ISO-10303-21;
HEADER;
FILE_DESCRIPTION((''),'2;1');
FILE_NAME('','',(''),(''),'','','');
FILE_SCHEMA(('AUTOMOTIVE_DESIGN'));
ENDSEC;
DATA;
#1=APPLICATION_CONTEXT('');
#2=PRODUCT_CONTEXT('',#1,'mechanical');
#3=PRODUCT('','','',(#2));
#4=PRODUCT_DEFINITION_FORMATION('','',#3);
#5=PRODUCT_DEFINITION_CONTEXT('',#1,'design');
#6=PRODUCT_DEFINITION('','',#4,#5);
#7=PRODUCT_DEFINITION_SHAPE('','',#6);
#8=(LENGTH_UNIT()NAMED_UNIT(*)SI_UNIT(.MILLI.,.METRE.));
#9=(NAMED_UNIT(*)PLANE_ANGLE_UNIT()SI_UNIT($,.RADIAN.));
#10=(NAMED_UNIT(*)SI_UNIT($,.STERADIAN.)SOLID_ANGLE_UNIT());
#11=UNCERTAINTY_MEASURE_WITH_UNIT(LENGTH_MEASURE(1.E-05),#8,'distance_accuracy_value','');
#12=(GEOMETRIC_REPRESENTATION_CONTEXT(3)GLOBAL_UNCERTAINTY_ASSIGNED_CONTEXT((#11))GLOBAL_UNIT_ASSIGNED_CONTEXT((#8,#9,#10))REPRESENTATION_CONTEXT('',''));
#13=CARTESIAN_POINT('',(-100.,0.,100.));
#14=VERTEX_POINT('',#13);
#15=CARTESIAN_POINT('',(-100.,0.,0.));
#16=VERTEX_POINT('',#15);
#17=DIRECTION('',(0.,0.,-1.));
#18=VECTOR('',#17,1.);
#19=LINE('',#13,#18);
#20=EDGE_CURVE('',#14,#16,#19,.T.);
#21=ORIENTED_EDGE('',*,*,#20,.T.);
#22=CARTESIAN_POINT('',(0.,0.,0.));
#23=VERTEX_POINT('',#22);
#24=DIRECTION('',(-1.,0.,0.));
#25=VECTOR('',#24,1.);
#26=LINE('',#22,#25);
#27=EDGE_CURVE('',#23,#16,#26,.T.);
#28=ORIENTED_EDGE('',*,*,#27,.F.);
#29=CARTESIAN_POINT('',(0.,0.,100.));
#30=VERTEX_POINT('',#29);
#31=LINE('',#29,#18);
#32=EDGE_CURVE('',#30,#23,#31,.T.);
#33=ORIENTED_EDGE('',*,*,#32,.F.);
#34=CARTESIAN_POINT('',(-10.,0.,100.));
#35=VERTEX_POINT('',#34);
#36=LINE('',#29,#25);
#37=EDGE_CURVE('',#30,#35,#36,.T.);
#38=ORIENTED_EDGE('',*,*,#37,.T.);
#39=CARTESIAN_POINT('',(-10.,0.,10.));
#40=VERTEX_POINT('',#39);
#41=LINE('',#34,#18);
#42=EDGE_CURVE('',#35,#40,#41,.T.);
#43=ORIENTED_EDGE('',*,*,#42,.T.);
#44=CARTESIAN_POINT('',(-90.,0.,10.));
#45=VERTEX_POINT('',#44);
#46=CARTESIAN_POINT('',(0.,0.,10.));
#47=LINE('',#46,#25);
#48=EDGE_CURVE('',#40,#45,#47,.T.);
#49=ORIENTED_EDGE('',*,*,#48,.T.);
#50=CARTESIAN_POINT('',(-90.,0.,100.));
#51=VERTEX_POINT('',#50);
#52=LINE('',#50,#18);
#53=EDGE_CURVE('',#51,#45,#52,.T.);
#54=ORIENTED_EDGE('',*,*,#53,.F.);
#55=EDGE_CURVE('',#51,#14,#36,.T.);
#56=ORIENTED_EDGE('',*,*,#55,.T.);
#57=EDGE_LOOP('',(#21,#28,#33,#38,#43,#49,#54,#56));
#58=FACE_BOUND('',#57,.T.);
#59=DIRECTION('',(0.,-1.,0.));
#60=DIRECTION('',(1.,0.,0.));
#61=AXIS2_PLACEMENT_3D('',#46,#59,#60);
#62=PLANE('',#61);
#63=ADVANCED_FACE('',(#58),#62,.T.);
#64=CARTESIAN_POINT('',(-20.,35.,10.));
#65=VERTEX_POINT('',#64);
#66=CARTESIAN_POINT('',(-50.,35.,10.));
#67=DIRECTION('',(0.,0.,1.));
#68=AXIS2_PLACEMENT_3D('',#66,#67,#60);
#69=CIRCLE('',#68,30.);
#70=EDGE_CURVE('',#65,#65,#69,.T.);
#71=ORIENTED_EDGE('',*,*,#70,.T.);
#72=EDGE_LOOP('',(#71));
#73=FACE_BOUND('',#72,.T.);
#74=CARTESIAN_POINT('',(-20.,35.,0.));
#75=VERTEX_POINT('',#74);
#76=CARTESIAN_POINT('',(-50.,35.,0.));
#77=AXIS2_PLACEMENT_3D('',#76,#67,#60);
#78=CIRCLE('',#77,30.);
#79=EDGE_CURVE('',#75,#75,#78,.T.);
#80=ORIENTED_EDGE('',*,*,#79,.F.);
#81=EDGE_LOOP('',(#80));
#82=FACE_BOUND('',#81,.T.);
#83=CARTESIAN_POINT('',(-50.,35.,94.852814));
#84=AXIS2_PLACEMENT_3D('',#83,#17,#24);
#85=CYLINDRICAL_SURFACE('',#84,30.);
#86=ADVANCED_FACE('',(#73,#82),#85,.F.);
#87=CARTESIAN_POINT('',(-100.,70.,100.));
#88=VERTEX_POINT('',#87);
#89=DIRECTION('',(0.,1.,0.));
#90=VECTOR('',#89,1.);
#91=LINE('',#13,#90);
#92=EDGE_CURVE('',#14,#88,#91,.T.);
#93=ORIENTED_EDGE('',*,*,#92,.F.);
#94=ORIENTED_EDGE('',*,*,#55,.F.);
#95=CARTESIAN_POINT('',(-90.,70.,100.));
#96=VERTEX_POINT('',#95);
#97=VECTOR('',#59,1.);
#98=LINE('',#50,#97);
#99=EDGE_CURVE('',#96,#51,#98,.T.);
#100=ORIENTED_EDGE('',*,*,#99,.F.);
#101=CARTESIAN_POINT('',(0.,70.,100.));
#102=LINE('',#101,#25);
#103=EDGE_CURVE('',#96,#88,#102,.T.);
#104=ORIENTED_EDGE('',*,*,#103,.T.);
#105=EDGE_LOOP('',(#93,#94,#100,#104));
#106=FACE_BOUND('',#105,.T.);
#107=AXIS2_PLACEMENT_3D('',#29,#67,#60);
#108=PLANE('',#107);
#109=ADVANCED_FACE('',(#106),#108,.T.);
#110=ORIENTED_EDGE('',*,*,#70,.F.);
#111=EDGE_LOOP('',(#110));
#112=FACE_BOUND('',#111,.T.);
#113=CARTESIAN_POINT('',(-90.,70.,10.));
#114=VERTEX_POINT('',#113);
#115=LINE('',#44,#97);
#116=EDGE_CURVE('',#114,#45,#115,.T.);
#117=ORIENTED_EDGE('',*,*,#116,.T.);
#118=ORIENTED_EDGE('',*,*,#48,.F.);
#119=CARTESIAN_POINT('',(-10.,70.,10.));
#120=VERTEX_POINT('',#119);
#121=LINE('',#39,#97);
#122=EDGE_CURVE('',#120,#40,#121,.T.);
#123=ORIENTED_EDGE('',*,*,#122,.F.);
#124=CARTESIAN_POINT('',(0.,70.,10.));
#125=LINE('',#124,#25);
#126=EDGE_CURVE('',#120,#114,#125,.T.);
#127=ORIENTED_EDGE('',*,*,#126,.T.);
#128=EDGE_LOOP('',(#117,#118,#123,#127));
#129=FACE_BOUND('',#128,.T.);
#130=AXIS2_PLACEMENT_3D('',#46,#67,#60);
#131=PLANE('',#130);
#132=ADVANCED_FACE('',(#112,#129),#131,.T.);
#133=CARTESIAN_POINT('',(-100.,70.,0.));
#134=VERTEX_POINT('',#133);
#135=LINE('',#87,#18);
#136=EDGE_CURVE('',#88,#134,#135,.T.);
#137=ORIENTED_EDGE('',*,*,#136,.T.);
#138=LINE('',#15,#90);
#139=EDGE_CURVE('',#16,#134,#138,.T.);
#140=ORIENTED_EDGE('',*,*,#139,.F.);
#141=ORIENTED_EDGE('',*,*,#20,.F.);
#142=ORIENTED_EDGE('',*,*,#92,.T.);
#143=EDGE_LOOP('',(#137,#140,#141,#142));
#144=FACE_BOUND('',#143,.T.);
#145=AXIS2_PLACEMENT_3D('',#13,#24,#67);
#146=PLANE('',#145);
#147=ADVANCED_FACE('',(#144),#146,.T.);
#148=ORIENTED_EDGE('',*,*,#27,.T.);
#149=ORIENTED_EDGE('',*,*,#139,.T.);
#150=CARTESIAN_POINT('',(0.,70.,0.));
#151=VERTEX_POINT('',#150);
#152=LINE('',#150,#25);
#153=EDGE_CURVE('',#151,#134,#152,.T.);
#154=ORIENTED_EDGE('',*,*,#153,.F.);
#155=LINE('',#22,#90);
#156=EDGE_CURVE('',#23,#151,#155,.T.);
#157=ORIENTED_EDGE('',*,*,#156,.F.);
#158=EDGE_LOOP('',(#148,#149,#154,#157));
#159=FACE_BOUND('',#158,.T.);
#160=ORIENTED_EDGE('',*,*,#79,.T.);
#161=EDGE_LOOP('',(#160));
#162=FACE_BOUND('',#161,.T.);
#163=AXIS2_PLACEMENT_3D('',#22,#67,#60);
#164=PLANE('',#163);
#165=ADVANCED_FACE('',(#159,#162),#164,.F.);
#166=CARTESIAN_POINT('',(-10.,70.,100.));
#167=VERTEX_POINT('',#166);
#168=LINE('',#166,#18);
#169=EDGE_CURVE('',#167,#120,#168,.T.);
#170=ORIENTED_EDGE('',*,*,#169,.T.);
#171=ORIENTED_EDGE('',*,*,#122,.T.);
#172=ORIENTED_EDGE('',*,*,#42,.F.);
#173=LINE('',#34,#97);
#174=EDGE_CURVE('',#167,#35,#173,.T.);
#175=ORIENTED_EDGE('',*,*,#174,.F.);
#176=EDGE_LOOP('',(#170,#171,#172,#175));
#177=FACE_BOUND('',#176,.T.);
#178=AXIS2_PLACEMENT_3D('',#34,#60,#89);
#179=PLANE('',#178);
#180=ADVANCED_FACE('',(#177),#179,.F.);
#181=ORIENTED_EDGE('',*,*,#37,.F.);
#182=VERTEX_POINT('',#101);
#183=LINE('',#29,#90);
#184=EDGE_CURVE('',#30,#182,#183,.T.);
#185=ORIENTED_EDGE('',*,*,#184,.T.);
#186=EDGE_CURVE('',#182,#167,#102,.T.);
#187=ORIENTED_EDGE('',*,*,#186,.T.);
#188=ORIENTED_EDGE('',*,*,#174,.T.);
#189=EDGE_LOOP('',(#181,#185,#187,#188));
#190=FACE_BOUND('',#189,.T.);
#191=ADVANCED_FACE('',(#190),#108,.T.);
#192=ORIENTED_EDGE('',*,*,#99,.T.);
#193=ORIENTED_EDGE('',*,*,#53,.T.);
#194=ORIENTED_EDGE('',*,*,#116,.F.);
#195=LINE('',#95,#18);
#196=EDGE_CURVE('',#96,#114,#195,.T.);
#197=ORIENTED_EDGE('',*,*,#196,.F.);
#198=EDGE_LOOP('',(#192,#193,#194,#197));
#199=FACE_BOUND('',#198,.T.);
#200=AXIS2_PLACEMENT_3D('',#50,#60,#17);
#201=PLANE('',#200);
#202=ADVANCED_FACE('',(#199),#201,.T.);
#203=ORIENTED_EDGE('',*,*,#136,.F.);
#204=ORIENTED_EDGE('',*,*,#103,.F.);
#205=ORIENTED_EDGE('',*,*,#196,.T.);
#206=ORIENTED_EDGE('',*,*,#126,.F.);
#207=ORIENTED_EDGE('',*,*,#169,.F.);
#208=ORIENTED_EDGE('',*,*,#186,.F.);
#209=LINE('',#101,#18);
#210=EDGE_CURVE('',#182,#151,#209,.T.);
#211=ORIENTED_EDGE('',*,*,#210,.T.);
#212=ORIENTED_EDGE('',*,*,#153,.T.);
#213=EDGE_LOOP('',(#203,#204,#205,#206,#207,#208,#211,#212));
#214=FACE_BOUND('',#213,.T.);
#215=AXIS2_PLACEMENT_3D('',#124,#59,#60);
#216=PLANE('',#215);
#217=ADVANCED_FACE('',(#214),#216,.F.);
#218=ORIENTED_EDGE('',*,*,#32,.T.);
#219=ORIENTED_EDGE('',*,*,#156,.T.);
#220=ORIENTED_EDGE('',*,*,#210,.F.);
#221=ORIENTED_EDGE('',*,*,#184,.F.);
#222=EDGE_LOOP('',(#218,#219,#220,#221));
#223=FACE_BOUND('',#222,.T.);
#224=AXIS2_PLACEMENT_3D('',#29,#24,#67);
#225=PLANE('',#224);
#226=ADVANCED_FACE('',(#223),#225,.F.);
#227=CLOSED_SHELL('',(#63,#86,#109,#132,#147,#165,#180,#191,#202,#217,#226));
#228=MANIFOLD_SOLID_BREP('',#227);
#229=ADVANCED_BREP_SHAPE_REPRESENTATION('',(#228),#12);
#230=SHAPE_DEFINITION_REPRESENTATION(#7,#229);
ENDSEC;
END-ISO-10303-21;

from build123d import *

# Parameters (mm, degrees)
ESQUISSE1_W             = 80
ESQUISSE1_H             = 70
BOSS_EXTRU_2_DEPTH      = 10
ESQUISSE1_4_W           = 10
ESQUISSE1_4_H           = 70
BOSS_EXTRU_3_DEPTH      = 100
ESQUISSE4_R             = 30
ENL_V_MAT_EXTRU_1_DEPTH = 10


with BuildPart() as part:
    # Esquisse1 → Boss.-Extru.2 (new body)
    with BuildSketch(Plane.XY):
        with Locations((-50, 35)):
            Rectangle(ESQUISSE1_W, ESQUISSE1_H)
    extrude(amount=BOSS_EXTRU_2_DEPTH)

    # Esquisse1<4> → Boss.-Extru.3 (add)
    with BuildSketch(Plane.XY):
        with Locations((-5, 35)):
            Rectangle(ESQUISSE1_4_W, ESQUISSE1_4_H)
        with Locations((-95, 35)):
            Rectangle(ESQUISSE1_4_W, ESQUISSE1_4_H)
    extrude(amount=BOSS_EXTRU_3_DEPTH)

    # Esquisse4 → Enlèv. mat.-Extru.1 (cut)
    with BuildSketch(Plane.XY):
        with Locations((-50, 35)):
            Circle(ESQUISSE4_R)
    extrude(amount=ENL_V_MAT_EXTRU_1_DEPTH, mode=Mode.SUBTRACT)


solid = part.part
